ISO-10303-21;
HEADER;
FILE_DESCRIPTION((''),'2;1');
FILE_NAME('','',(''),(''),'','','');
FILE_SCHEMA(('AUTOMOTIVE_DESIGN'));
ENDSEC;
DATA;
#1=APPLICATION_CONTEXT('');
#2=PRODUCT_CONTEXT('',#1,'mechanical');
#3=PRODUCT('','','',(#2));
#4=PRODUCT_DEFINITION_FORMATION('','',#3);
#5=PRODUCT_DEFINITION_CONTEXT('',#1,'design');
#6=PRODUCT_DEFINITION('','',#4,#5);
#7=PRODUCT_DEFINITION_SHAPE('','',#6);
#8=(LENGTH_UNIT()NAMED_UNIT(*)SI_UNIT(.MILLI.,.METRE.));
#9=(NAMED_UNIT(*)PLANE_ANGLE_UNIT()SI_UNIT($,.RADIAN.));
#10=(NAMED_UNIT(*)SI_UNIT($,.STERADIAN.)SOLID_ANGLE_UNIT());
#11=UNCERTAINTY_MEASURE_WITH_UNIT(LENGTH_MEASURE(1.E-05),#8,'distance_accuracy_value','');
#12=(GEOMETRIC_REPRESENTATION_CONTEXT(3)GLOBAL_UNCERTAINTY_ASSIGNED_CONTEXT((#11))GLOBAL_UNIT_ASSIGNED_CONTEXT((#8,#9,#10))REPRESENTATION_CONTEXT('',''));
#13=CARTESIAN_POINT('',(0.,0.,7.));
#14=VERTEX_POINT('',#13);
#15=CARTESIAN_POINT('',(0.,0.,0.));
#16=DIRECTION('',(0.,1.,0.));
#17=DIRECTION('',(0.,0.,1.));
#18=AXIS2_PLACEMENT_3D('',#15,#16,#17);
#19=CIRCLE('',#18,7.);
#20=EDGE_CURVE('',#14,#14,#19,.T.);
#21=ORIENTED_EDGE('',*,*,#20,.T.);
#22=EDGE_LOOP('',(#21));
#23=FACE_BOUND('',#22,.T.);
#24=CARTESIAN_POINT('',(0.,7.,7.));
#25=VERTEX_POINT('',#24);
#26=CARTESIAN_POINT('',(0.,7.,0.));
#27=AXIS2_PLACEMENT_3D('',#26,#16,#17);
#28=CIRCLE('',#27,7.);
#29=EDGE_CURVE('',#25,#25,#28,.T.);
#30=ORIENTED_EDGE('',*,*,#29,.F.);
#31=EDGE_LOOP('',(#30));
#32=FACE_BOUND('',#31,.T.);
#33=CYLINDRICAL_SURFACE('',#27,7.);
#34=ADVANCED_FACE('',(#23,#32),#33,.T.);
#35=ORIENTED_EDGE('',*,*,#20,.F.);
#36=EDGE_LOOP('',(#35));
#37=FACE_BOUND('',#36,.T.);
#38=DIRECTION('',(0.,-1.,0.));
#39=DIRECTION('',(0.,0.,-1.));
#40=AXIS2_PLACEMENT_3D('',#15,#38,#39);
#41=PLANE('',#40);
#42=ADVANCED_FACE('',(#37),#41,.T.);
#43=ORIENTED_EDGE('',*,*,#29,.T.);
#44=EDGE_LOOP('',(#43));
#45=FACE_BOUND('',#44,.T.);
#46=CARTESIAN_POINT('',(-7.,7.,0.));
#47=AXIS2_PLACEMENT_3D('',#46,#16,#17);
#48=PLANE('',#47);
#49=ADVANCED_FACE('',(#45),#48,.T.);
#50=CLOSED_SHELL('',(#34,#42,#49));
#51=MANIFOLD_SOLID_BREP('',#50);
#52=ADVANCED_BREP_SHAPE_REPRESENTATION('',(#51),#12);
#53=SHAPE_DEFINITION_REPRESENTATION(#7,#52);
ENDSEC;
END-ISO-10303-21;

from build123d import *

# Parameters (mm, degrees)
SKETCH_1_W = 7
SKETCH_1_H = 7


with BuildPart() as part:
    # Эскиз1 → Повернуть1 (revolve)
    with BuildSketch(Plane.XY):
        with Locations((-3.5, 3.5)):
            Rectangle(SKETCH_1_W, SKETCH_1_H)
    revolve(axis=Axis((0, 7, 0), (0, -1, 0)))


solid = part.part
